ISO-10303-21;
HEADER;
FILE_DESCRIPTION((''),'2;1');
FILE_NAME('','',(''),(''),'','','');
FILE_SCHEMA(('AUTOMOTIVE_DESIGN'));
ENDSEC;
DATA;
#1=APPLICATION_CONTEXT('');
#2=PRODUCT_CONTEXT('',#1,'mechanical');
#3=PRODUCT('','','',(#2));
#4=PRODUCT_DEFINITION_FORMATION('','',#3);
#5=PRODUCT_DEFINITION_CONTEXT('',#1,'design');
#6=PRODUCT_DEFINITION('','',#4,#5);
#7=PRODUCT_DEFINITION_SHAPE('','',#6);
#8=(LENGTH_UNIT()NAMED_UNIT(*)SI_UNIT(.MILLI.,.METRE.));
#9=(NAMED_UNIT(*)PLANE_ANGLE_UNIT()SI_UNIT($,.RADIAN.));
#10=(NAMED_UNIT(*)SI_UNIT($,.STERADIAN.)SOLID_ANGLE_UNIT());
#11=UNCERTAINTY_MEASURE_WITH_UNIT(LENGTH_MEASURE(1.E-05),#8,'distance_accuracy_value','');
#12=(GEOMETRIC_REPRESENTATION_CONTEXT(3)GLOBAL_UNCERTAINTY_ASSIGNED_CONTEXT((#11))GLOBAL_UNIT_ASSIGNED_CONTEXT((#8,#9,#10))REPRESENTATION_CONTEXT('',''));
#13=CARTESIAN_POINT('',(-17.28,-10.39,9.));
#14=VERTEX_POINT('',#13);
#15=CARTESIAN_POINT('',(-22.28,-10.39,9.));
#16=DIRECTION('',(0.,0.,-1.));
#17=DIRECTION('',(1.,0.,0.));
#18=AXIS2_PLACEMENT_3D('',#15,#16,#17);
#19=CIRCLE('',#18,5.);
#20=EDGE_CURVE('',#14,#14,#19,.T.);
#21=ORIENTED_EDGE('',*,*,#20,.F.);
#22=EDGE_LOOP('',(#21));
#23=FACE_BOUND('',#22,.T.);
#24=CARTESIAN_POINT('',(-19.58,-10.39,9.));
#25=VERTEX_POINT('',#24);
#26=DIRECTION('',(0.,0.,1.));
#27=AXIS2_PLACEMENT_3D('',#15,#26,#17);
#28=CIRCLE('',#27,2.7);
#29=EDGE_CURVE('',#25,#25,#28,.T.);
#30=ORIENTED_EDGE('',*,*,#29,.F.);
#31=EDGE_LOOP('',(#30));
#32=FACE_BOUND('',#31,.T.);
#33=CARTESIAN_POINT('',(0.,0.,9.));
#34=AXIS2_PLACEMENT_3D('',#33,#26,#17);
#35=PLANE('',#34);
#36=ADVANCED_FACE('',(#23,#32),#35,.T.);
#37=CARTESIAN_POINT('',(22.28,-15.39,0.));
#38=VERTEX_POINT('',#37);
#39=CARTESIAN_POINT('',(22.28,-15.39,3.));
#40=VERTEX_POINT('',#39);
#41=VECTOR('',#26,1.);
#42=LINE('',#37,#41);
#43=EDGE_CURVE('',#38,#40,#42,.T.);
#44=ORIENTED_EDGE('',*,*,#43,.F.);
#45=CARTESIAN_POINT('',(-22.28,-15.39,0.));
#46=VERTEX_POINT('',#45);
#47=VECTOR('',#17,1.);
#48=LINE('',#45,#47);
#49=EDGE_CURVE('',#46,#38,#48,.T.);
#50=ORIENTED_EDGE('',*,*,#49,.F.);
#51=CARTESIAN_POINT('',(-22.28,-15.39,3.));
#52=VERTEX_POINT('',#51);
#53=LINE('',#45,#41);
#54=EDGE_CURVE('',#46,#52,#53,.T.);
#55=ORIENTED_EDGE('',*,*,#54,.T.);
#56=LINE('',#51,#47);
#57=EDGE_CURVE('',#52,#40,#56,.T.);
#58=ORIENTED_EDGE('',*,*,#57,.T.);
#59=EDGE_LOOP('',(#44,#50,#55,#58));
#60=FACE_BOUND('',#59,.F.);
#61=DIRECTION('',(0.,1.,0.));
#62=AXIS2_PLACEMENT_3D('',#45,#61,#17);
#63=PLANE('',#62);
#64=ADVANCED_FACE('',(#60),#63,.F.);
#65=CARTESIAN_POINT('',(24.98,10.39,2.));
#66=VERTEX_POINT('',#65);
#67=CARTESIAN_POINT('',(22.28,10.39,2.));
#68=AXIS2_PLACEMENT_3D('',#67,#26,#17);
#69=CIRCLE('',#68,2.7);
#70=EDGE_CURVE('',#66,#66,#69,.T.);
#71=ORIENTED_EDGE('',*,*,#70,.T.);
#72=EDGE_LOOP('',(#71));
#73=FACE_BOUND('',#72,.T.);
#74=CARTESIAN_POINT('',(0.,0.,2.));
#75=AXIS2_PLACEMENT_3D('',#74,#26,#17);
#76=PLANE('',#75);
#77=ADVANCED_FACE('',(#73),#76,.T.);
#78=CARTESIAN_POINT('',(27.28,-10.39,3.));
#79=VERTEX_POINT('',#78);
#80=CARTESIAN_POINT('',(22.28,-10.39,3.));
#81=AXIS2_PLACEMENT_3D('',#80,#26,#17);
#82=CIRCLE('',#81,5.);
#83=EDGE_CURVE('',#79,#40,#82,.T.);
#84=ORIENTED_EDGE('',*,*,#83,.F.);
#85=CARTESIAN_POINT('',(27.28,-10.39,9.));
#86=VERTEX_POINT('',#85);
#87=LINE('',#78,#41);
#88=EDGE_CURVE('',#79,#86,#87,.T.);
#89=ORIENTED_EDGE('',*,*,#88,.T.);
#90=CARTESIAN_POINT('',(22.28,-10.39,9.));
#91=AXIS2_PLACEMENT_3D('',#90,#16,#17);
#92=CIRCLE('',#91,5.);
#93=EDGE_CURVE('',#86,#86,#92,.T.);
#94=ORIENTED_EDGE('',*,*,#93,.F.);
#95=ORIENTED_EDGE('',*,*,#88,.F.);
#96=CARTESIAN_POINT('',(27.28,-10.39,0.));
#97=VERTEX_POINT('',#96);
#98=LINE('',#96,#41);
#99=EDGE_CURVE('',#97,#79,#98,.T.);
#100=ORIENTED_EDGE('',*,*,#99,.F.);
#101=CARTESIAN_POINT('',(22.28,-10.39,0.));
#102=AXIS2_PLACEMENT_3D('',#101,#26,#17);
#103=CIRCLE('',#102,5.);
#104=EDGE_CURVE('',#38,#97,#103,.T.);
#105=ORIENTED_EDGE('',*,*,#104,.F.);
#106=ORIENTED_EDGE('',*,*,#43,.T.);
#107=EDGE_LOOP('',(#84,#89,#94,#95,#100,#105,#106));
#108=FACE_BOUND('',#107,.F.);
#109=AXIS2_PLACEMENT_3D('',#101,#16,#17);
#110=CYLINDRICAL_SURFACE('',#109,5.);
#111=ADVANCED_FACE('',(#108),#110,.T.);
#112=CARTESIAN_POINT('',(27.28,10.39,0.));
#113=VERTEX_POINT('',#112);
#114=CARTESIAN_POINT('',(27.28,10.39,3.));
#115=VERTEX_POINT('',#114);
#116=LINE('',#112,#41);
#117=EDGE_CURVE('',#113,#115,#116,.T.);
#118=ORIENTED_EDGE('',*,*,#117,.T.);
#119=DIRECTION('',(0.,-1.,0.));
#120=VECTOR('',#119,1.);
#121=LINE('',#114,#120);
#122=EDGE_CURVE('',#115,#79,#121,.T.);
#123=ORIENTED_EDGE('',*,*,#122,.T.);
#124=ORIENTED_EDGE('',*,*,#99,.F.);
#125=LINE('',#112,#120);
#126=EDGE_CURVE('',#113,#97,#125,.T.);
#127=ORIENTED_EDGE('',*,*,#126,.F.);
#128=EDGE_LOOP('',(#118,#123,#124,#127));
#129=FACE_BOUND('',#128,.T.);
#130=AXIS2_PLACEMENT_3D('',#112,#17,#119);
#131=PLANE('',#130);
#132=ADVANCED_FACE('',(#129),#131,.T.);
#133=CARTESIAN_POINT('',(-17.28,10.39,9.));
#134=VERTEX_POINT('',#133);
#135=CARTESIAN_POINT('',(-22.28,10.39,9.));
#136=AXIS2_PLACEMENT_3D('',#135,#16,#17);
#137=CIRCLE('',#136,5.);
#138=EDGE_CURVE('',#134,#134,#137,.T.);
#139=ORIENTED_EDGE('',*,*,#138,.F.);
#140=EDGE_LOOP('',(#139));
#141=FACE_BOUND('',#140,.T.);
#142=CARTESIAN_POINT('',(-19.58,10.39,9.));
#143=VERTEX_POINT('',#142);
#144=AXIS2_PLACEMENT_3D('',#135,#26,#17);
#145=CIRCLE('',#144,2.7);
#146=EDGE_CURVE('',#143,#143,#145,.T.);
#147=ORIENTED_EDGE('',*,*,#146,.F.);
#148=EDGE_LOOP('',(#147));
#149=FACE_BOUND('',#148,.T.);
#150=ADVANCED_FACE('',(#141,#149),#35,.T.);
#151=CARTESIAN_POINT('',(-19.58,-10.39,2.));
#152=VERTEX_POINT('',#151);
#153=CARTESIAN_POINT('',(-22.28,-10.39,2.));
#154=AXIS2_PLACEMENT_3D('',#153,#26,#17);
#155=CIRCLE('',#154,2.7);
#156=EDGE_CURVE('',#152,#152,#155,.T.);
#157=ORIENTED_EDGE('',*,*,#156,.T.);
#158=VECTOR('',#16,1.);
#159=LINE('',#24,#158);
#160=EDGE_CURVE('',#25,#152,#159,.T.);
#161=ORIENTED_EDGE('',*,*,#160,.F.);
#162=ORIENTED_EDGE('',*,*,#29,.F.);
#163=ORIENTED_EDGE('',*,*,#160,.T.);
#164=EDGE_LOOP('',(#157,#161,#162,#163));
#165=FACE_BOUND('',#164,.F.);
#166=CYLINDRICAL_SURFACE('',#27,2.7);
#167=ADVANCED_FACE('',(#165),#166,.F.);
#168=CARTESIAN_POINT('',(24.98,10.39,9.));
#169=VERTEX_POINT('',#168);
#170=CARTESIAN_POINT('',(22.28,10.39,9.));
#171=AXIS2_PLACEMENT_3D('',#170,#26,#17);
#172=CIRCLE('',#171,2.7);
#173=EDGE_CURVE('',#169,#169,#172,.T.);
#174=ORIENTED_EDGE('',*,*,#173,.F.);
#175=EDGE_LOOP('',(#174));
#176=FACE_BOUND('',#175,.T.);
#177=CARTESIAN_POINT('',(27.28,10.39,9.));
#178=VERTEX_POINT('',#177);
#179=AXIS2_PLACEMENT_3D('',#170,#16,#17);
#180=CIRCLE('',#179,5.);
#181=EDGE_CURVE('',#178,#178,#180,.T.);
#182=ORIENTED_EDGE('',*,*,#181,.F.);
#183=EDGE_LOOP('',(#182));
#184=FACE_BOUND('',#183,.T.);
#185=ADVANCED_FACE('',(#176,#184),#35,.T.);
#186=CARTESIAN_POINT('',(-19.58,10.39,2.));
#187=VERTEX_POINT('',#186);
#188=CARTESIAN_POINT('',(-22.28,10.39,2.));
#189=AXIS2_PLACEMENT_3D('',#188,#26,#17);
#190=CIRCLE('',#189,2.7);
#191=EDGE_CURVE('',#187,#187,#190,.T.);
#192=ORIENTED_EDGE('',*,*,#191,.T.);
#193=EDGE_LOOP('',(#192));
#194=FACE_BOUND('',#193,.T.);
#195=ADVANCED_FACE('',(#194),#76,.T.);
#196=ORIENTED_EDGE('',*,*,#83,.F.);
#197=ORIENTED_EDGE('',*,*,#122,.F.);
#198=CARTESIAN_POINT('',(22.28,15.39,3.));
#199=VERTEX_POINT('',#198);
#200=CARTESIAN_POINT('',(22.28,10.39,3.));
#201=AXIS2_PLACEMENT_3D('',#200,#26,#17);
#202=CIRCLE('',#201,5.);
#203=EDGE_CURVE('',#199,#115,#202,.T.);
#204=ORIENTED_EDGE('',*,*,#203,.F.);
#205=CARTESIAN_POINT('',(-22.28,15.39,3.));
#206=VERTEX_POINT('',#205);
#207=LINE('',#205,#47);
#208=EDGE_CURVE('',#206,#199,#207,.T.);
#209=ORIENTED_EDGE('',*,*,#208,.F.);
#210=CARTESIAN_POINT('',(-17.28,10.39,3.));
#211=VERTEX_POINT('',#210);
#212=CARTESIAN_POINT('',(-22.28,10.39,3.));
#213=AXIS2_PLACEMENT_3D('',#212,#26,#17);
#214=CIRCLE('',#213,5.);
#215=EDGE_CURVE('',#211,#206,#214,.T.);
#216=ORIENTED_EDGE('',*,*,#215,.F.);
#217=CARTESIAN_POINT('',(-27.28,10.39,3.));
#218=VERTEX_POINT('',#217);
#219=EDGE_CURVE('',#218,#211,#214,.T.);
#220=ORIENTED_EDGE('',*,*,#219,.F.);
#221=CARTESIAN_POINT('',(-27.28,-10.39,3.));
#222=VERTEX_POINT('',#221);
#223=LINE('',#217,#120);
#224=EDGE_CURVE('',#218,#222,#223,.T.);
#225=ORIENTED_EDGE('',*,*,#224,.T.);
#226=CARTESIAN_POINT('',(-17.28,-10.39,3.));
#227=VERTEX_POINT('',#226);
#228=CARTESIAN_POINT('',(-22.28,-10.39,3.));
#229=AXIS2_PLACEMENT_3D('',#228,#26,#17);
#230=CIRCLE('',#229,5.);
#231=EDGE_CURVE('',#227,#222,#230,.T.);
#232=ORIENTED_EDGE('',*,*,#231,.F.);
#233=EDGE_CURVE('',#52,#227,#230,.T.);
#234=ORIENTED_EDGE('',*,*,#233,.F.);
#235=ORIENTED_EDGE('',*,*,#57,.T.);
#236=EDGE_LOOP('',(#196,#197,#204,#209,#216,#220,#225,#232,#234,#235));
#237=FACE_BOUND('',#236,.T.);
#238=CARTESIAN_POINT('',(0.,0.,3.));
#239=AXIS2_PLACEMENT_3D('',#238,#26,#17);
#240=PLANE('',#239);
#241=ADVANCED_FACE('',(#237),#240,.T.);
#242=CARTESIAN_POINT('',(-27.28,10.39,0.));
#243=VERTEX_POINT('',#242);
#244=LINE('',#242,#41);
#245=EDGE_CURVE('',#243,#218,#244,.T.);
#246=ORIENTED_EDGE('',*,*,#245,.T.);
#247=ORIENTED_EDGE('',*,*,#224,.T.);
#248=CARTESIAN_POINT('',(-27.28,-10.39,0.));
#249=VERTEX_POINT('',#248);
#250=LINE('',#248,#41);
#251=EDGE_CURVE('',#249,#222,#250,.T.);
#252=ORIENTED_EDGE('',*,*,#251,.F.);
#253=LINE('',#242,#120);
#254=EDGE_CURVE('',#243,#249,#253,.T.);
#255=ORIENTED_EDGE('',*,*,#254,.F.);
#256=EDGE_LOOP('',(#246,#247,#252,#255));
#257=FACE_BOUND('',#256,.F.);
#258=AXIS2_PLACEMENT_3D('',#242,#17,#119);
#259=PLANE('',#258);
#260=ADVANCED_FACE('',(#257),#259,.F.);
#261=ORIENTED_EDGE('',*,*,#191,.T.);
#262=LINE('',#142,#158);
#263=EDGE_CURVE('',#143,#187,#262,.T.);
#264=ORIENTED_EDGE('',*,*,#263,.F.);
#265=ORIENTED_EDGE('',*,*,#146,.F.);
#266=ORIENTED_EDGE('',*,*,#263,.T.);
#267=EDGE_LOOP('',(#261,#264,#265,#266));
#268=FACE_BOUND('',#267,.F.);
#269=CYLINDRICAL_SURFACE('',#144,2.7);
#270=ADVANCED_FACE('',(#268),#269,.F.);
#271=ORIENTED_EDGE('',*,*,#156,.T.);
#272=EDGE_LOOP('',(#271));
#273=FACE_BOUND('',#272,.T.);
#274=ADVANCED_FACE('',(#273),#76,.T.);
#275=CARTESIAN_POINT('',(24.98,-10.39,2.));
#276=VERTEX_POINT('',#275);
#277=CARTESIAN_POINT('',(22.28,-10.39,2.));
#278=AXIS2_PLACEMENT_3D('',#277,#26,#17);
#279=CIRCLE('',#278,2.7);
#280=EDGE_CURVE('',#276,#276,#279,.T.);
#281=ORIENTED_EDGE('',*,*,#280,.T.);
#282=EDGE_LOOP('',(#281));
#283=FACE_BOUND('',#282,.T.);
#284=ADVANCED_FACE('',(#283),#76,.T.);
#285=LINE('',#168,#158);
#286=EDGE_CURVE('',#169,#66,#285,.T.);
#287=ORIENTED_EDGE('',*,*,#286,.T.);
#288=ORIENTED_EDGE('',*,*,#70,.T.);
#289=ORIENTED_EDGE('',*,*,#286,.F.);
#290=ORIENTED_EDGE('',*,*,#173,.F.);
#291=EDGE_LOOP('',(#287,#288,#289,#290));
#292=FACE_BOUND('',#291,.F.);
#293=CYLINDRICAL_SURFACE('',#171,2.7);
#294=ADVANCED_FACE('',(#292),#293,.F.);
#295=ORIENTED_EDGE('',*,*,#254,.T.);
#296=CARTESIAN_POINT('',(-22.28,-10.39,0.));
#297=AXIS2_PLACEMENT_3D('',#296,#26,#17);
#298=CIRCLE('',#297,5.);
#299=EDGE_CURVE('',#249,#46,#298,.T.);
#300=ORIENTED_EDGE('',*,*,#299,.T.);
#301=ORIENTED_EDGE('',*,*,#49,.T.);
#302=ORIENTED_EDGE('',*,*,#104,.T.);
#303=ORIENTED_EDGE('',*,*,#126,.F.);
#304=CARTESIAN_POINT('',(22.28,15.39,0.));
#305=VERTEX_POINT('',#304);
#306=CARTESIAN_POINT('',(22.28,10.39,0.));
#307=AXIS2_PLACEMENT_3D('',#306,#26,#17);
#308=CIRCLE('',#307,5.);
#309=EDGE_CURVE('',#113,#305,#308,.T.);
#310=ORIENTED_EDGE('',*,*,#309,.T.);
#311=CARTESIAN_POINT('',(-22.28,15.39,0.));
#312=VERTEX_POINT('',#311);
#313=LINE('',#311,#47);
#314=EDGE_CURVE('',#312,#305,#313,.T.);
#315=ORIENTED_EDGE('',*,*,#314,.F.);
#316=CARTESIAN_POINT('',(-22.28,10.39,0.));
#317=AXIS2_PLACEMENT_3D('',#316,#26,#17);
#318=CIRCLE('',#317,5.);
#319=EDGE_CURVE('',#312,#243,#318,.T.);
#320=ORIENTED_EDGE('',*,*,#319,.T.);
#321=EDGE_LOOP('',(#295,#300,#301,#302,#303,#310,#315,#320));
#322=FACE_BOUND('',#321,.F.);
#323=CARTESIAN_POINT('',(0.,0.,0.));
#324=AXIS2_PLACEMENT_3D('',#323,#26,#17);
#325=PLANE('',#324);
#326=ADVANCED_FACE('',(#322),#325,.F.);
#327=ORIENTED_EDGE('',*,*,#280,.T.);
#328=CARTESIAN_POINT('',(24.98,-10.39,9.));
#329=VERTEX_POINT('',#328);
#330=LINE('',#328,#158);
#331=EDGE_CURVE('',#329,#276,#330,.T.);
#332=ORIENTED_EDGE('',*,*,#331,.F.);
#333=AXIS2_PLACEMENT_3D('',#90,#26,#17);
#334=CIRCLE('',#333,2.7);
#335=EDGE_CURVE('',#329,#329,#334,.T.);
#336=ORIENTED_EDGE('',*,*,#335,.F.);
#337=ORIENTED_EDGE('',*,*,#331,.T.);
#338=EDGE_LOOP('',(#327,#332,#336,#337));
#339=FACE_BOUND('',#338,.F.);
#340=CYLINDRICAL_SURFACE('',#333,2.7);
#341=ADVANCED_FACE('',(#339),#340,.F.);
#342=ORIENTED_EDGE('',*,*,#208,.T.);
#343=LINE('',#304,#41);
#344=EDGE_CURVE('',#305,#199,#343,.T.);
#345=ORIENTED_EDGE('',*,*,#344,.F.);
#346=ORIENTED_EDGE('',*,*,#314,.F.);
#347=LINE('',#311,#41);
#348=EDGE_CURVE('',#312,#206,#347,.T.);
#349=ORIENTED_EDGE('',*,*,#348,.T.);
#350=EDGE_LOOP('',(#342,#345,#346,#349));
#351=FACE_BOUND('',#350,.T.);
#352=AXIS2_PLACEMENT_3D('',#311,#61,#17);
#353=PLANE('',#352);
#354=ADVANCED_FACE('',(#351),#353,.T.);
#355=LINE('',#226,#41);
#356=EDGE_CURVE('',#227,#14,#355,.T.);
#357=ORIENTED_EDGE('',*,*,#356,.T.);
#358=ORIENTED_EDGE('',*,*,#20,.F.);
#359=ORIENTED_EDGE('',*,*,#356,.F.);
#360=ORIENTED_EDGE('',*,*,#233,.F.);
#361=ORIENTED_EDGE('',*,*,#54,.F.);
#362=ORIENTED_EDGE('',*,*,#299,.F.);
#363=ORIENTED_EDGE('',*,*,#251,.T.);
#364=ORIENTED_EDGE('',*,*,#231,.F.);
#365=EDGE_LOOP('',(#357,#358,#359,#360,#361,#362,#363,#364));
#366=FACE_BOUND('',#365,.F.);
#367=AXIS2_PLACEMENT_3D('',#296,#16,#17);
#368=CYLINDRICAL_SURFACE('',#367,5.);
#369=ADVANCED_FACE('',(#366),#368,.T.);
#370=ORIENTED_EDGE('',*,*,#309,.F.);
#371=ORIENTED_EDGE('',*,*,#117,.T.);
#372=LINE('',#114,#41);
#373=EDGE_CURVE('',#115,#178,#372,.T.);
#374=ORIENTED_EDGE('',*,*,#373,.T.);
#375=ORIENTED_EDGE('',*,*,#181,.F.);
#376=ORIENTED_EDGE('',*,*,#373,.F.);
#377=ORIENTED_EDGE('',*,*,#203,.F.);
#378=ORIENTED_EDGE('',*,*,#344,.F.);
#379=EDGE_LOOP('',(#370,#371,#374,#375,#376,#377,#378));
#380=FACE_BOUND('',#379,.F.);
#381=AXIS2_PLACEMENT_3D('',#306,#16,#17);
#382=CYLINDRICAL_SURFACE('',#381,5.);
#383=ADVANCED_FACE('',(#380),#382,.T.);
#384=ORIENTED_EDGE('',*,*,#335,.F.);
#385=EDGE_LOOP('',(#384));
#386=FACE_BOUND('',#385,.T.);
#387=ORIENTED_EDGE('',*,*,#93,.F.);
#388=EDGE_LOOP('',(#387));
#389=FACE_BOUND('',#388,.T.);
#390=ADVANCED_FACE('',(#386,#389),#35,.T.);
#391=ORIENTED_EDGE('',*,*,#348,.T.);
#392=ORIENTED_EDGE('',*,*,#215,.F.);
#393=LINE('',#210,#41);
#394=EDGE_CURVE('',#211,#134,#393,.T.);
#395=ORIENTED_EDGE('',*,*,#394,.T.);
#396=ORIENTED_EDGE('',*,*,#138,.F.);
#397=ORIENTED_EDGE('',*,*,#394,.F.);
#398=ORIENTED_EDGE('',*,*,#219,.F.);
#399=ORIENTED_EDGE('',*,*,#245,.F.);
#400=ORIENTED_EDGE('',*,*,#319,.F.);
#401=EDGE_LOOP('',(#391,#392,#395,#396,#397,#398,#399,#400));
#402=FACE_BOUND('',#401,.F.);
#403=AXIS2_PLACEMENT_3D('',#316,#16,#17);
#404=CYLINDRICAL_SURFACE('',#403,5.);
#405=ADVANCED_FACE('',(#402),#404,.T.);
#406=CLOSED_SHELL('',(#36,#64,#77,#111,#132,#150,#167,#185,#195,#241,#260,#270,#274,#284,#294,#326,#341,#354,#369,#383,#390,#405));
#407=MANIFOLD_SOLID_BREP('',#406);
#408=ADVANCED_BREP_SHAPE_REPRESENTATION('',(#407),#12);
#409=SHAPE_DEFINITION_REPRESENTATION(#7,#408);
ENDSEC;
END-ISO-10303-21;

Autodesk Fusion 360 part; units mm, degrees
sketch "Sketch1" plane through (0, 0, 0) normal (0, 0, 1) x (1, 0, 0)
  line L0 (22.28, -10.39) -> (-22.28, -10.39) construction
  line L1 (-22.28, -10.39) -> (-22.28, 10.39) construction
  line L2 (-22.28, 10.39) -> (22.28, 10.39) construction
  line L3 (22.28, 10.39) -> (22.28, -10.39) construction
  line L4 (22.28, -10.39) -> (-22.28, 10.39) construction
  line L5 (-22.28, -10.39) -> (22.28, 10.39) construction
  circle A0 centre (22.28, 10.39) radius 5
  circle A1 centre (22.28, -10.39) radius 5
  circle A2 centre (-22.28, -10.39) radius 5
  circle A3 centre (-22.28, 10.39) radius 5
  line L6 (-22.28, 15.39) -> (22.28, 15.39)
  line L7 (-27.28, 10.39) -> (-27.28, -10.39)
  line L8 (27.28, 10.39) -> (27.28, -10.39)
  line L9 (-22.28, -15.39) -> (22.28, -15.39)
  circle A4 centre (22.28, 10.39) radius 2.7
  circle A5 centre (-22.28, 10.39) radius 2.7
  circle A6 centre (-22.28, -10.39) radius 2.7
  circle A7 centre (22.28, -10.39) radius 2.7
  dimension "d1" = 44.56
  dimension "d2" = 20.78
  dimension "d3" = 10
  dimension "d4" = 10
  dimension "d5" = 10
  dimension "d6" = 10
  dimension "d12" = 5.4
  dimension "d13" = 5.4
  dimension "d14" = 5.4
  dimension "d15" = 5.4
extrude "Extrude1" add sketch "Sketch1" along normal blind 3 contours A0 | A0 A1 A2 A3 L6 L7 L8 L9 | A1 | A3 | A2 | A4 | A5 | A6 | A7
extrude "Extrude2" add sketch "Sketch1" along normal blind 6 from surface at 3 contours A0 | A1 | A3 | A2 | A4 | A5 | A6 | A7
extrude "Extrude3" cut sketch "Sketch1" against normal blind 7 from surface at 9 contours A4 | A5 | A6 | A7
equation "d4 = d3"
equation "d5 = d3"
equation "d6 = d3"
equation "d13 = d12"
equation "d14 = d12"
equation "d15 = d12"
